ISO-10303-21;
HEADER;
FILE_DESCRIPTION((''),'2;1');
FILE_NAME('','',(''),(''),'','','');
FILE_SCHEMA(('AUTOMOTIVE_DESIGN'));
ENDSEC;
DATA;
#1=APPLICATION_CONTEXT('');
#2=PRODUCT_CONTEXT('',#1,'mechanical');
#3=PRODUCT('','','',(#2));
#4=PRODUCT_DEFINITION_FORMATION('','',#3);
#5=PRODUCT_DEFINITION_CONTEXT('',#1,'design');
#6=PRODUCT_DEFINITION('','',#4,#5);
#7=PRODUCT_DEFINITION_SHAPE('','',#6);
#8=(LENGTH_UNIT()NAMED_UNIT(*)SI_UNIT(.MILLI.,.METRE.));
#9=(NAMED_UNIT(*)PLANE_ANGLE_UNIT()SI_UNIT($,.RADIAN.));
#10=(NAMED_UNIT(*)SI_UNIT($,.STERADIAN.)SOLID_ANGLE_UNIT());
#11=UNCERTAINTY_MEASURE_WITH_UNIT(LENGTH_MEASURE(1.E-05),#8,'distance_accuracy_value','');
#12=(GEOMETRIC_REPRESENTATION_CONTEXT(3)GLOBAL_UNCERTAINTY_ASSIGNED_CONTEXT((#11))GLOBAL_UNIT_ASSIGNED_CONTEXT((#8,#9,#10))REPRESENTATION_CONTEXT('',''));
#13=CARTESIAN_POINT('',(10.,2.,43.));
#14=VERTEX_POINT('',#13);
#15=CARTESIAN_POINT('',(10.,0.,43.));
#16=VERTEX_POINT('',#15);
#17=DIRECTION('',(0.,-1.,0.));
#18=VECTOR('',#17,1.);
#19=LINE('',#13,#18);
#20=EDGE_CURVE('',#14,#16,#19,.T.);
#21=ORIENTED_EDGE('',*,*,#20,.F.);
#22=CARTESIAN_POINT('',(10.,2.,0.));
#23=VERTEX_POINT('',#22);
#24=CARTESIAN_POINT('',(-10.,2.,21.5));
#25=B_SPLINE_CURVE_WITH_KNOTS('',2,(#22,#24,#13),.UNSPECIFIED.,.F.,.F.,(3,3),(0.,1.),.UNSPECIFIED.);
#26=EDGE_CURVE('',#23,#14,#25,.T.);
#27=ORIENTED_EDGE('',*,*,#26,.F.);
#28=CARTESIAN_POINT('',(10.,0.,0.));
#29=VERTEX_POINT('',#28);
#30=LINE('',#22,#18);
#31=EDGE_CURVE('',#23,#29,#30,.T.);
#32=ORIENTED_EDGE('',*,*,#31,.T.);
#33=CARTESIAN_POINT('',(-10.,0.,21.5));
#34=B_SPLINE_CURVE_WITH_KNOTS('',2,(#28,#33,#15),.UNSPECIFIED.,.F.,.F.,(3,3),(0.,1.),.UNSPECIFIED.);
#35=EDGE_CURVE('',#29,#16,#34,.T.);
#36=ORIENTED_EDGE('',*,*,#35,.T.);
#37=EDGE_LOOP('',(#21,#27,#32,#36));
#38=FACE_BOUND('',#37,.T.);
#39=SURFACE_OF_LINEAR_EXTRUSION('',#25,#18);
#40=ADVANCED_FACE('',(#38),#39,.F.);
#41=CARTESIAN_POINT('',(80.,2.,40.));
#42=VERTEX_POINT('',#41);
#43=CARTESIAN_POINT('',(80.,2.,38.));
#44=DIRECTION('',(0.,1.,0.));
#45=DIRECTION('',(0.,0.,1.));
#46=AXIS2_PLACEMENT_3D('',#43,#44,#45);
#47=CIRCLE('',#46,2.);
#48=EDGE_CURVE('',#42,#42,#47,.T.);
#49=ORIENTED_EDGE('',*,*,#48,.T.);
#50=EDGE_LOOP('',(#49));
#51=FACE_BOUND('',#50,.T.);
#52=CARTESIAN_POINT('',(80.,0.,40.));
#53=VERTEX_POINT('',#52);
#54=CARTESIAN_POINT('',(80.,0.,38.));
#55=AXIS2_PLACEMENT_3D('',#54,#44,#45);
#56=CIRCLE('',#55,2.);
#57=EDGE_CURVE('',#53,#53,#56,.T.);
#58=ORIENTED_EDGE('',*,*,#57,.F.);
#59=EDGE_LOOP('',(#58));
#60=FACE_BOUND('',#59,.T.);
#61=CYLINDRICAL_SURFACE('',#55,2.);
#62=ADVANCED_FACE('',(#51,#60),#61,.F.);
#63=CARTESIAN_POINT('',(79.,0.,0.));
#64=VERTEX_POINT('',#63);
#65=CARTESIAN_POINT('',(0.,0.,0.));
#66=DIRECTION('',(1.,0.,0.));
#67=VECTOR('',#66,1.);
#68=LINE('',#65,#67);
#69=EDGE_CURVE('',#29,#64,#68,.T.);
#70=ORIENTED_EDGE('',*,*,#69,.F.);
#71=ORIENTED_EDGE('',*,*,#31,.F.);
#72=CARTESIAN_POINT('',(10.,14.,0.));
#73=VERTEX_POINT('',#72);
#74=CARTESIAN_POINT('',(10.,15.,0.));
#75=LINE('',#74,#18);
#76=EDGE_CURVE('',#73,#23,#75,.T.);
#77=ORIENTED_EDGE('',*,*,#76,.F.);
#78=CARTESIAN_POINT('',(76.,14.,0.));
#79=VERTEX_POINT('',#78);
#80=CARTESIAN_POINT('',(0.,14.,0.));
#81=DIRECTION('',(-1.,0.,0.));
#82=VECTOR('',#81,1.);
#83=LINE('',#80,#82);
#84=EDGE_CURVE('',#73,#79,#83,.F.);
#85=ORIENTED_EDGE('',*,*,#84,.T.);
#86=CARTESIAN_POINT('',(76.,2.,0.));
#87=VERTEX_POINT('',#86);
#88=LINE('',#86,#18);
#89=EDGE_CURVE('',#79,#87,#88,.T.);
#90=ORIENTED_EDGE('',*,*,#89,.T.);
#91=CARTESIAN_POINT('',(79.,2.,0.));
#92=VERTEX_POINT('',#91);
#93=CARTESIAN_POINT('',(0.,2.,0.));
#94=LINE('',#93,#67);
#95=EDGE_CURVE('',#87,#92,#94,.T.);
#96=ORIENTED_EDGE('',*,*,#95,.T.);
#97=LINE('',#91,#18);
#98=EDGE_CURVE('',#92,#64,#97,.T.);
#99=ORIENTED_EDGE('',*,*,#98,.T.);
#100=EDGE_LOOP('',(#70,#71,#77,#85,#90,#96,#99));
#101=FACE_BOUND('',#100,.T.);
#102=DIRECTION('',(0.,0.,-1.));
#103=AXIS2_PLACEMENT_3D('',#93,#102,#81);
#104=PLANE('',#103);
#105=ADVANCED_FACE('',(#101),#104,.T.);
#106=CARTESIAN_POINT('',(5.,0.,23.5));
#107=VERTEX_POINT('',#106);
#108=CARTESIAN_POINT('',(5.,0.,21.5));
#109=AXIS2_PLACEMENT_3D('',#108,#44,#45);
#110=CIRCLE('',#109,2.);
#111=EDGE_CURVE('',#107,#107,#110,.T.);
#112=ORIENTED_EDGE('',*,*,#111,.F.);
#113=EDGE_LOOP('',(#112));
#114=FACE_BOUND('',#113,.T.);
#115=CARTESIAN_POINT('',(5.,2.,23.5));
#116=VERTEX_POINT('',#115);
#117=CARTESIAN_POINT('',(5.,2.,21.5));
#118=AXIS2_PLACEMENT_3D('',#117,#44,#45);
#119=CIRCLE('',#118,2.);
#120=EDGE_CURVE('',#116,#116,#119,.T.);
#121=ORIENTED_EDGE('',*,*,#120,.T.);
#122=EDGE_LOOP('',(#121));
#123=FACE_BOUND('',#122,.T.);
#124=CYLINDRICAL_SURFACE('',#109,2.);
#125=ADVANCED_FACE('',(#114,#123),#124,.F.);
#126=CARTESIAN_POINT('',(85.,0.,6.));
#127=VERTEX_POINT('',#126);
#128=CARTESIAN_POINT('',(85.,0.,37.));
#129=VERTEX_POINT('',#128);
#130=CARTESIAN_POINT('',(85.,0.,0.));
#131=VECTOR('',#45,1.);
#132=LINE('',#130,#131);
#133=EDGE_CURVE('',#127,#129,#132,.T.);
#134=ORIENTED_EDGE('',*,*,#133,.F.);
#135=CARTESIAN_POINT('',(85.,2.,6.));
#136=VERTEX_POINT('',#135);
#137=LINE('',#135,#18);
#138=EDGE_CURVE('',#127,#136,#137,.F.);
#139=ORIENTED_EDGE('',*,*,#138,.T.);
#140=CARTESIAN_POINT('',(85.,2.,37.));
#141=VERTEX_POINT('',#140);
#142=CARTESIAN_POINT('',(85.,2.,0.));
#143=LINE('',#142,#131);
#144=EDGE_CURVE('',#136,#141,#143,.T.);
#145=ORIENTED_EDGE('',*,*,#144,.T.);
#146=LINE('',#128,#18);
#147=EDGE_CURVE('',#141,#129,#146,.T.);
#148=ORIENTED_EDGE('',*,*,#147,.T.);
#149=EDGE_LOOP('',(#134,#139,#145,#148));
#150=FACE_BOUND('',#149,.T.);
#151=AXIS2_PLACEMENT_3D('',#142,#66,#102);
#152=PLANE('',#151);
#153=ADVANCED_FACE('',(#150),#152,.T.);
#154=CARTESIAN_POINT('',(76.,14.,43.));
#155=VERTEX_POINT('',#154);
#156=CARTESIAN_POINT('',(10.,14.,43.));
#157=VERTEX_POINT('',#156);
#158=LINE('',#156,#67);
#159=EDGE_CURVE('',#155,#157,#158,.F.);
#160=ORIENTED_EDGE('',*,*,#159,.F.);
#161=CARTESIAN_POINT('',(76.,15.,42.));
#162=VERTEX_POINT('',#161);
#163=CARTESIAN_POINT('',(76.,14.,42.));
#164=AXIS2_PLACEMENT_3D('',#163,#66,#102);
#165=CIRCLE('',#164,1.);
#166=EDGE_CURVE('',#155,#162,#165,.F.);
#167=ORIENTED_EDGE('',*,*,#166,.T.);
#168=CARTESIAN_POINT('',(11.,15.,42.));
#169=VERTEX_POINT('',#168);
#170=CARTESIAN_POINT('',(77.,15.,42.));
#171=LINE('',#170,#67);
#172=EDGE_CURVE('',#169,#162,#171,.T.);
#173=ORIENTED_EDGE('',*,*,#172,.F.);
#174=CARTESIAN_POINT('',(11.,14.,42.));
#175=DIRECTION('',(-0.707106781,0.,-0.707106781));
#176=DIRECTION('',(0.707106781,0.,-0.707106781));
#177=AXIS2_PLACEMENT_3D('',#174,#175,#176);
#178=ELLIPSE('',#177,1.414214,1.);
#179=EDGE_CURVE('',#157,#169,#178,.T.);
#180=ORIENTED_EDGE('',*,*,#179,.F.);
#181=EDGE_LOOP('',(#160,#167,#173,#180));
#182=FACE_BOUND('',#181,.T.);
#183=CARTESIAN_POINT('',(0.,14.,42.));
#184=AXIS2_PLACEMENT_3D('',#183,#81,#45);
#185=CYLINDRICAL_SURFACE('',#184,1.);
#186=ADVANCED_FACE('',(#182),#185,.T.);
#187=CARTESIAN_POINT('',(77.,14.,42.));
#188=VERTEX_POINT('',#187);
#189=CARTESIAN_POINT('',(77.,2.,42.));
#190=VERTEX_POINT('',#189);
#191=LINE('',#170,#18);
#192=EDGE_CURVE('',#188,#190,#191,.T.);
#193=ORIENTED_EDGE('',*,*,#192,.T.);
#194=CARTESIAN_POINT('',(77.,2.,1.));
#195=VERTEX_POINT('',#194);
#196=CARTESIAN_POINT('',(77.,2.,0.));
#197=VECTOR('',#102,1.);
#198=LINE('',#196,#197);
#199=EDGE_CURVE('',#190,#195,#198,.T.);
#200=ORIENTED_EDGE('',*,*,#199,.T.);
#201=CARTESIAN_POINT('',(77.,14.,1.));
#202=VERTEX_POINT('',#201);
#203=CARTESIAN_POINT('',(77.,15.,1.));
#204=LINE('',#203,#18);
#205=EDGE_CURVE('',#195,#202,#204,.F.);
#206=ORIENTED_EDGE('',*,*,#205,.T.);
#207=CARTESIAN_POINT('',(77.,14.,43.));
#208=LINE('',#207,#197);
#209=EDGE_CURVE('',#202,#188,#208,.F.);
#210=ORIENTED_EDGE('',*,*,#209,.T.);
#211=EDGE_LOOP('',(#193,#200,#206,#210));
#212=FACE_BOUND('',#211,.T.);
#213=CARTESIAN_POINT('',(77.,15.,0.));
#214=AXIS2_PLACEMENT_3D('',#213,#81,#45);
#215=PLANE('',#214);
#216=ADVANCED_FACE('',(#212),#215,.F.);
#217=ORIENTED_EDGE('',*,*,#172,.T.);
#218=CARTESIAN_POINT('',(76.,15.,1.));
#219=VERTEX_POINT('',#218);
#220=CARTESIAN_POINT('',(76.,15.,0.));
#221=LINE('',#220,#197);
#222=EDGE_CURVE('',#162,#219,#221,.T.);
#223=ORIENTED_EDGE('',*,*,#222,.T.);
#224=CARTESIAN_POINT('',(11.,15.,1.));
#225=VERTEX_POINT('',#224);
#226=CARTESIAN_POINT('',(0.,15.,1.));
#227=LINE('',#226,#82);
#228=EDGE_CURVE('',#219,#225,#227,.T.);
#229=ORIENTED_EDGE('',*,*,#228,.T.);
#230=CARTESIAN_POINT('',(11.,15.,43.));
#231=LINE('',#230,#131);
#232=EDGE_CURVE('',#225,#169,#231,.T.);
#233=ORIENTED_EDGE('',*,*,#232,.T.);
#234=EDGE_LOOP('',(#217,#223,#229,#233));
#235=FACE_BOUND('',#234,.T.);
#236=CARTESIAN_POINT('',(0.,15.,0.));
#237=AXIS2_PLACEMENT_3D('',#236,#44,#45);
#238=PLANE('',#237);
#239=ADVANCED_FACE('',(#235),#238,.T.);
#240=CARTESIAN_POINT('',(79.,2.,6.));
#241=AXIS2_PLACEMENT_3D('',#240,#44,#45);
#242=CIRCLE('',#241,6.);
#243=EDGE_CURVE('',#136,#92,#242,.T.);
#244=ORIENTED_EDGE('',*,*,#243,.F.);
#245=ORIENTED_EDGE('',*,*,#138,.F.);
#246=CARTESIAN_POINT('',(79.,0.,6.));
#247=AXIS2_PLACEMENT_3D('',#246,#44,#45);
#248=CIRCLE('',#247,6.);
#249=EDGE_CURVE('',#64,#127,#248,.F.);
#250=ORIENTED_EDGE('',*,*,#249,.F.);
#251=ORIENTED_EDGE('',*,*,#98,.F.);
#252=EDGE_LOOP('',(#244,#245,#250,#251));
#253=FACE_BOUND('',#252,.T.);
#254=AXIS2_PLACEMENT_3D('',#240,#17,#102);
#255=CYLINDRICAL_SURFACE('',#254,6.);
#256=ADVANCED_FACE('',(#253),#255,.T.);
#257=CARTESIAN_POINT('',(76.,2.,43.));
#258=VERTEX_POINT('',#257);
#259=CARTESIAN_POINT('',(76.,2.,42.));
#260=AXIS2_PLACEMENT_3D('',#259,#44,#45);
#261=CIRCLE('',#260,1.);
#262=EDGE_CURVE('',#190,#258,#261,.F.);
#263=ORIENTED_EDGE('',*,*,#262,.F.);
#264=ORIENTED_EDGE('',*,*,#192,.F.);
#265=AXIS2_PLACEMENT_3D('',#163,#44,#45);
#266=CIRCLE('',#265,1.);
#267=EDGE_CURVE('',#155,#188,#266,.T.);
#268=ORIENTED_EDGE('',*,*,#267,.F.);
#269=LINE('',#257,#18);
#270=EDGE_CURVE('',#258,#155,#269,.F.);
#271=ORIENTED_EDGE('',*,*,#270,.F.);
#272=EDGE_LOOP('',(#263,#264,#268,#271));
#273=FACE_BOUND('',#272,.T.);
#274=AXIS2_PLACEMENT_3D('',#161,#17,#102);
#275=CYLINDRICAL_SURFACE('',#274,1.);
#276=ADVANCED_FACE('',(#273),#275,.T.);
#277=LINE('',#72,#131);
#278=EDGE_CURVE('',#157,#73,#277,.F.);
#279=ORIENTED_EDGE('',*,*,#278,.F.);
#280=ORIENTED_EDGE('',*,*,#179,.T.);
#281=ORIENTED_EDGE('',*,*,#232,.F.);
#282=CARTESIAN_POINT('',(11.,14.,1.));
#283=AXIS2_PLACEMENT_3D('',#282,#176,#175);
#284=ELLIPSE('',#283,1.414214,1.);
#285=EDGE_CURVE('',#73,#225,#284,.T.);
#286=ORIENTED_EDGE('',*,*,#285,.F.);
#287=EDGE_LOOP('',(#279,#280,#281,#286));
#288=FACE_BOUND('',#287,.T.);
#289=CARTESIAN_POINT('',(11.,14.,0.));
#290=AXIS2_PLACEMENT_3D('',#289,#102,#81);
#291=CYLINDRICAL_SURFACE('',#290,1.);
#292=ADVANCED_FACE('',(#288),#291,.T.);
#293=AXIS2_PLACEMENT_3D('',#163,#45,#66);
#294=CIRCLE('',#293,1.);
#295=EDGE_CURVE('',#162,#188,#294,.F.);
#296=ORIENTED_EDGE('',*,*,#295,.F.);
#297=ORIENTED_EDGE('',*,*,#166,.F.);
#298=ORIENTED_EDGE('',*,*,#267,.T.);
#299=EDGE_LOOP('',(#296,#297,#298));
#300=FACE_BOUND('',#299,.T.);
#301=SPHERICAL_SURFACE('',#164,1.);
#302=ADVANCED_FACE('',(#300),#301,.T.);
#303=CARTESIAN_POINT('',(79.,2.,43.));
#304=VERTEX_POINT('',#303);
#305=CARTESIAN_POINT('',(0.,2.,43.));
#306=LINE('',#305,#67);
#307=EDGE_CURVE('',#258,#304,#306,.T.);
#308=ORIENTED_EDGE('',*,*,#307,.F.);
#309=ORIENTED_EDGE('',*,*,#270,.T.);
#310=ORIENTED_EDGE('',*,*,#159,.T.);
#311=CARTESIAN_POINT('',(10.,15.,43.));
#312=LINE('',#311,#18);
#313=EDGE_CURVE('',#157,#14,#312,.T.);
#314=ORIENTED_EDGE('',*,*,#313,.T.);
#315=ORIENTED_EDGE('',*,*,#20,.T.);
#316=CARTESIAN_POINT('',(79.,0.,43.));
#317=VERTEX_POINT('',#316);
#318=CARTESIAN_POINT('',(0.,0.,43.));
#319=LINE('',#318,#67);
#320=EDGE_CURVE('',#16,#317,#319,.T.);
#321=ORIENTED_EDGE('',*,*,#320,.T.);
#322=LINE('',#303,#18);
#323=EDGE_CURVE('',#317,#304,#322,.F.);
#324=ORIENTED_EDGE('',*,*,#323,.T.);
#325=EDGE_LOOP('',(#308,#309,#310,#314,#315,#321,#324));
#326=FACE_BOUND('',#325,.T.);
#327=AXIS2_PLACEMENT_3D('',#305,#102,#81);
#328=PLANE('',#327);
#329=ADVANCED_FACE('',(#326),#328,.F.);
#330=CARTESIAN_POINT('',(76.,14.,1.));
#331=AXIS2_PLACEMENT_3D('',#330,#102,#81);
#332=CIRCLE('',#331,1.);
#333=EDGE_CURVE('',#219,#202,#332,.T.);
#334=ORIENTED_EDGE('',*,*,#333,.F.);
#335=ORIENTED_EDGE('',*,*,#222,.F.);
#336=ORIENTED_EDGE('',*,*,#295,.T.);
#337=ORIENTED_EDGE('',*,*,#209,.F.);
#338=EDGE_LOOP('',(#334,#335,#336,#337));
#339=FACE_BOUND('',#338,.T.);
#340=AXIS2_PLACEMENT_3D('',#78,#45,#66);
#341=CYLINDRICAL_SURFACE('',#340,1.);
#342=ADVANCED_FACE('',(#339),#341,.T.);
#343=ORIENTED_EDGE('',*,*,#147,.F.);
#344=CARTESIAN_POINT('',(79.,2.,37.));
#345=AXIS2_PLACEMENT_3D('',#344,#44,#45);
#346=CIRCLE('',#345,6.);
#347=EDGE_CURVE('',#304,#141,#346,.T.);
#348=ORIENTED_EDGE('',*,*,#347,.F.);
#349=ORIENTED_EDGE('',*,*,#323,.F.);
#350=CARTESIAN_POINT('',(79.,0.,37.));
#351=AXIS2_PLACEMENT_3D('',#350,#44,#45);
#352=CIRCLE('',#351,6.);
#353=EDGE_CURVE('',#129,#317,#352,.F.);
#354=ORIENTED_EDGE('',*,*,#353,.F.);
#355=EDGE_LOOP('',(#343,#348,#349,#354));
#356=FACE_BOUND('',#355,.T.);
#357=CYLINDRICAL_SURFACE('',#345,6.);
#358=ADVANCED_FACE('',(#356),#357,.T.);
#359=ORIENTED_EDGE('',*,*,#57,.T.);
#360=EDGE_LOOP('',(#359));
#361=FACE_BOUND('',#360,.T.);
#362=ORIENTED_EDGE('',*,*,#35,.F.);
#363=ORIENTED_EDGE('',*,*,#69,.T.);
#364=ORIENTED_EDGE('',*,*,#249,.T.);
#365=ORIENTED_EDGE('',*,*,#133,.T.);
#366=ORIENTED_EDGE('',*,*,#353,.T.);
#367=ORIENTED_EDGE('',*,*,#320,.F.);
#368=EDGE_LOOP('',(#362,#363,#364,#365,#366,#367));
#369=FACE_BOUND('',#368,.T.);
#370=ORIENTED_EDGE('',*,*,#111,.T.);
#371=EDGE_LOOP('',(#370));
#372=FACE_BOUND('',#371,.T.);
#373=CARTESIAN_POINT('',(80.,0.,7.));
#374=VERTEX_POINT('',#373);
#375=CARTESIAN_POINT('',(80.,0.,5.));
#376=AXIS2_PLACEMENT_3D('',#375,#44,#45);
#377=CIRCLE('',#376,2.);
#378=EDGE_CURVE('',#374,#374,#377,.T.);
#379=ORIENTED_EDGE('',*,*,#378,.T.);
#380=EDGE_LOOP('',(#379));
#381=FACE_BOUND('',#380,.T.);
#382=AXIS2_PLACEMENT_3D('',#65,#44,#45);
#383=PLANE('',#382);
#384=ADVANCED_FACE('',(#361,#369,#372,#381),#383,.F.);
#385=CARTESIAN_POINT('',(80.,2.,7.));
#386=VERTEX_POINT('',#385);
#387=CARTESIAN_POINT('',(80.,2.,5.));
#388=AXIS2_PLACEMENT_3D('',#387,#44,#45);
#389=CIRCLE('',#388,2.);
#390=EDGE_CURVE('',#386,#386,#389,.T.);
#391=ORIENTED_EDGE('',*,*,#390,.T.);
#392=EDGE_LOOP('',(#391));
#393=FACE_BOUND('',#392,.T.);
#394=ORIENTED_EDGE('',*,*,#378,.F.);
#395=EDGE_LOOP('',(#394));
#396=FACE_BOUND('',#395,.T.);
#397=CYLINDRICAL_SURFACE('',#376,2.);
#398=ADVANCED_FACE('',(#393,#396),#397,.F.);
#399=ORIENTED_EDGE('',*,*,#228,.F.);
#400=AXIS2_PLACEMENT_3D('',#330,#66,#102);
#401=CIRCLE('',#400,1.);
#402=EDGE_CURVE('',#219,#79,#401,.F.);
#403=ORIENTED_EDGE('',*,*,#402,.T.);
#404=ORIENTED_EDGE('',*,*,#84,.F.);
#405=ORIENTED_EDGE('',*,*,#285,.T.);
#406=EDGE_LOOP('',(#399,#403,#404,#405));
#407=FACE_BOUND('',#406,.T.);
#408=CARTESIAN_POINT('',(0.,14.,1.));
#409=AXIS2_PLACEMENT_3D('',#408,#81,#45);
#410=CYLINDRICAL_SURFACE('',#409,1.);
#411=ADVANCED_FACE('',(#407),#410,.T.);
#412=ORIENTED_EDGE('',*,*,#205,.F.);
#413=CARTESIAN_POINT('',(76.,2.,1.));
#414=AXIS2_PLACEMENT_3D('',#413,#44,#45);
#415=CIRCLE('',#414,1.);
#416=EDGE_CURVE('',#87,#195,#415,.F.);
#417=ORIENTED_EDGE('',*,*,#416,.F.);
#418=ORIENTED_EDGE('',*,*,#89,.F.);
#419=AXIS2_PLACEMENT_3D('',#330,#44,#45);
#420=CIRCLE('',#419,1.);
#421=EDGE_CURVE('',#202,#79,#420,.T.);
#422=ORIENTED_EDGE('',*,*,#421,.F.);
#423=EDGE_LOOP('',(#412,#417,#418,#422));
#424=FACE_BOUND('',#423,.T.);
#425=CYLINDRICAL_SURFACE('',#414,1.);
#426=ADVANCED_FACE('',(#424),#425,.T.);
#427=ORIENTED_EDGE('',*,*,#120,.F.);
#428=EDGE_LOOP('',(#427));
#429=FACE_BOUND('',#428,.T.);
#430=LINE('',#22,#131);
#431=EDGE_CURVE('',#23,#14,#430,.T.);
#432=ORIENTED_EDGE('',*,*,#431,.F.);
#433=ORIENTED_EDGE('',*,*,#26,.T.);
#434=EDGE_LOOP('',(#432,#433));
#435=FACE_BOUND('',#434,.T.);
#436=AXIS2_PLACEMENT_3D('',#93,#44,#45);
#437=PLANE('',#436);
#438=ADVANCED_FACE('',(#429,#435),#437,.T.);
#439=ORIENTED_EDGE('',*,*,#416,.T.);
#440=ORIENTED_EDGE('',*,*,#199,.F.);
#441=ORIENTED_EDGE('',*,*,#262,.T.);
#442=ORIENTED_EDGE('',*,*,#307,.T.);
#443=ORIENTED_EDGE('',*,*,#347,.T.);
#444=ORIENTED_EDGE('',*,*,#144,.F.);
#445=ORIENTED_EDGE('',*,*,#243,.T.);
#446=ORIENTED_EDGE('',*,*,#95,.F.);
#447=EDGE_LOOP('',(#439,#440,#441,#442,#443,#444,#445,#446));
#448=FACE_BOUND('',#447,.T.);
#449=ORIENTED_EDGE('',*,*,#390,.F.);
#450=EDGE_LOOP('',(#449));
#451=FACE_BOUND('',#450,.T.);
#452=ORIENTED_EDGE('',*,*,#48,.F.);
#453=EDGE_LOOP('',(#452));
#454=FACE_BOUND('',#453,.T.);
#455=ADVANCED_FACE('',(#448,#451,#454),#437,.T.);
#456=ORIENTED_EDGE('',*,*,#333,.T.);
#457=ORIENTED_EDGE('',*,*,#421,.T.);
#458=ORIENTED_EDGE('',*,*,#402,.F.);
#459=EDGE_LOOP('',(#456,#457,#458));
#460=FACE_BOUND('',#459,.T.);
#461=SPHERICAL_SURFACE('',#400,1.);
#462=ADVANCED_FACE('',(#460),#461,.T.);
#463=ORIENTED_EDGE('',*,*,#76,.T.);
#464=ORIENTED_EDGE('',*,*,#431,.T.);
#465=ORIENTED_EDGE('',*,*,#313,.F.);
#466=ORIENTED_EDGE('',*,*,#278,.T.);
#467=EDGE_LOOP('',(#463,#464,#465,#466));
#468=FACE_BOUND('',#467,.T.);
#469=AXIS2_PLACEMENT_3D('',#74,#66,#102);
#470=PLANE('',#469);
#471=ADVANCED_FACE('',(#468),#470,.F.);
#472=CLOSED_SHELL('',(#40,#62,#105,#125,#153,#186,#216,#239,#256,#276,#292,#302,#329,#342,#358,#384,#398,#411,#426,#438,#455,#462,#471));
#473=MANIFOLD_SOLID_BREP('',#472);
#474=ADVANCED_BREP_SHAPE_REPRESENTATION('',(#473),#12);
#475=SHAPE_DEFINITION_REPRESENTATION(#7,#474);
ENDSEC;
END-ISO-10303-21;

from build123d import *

# Parameters (mm, degrees)
BOSS_EXTRUDE1_DEPTH = 2
SKETCH2_W           = 67
SKETCH2_H           = 43
BOSS_EXTRUDE2_DEPTH = 13
SKETCH3_R           = 2
CUT_EXTRUDE1_DEPTH  = 3.0000001
FILLET1_R           = 6
FILLET2_R           = 1


with BuildPart() as part:
    # Sketch1 → Boss-Extrude1 (new body)
    with BuildSketch(Plane(origin=(0, 0, 0), x_dir=(1, 0, 0), z_dir=(0, 1, 0))):
        with BuildLine():
            Line((85, 0), (10, 0))
            add(Edge.make_bspline(
                [(10, 0), (7e-09, -10.749999992), (0, -21.499999985)],
                knots=[0, 0, 0, 0.5, 0.5, 0.5], degree=2))
            add(Edge.make_bspline(
                [(0, -21.499999985), (-7e-09, -32.249999992), (10, -43)],
                knots=[0.5, 0.5, 0.5, 1, 1, 1], degree=2))
            Line((10, -43), (85, -43))
            Line((85, -43), (85, 0))
        make_face()
    extrude(amount=BOSS_EXTRUDE1_DEPTH)

    # Sketch2 → Boss-Extrude2 (add)
    with BuildSketch(Plane(origin=(0, 2, 0), x_dir=(1, 0, 0), z_dir=(0, 1, 0))):
        with Locations((43.5, -21.5)):
            Rectangle(SKETCH2_W, SKETCH2_H)
    extrude(amount=BOSS_EXTRUDE2_DEPTH)

    # Sketch3 → Cut-Extrude1 (cut, through all)
    with BuildSketch(Plane(origin=(0, 2, 0), x_dir=(1, 0, 0), z_dir=(0, 1, 0))):
        with Locations((80, -5)):
            Circle(SKETCH3_R)
        with Locations((80, -38)):
            Circle(SKETCH3_R)
        with Locations((5, -21.500000001)):
            Circle(SKETCH3_R)
    extrude(amount=-CUT_EXTRUDE1_DEPTH, mode=Mode.SUBTRACT)

    # Fillet1
    fillet1_edges = [part.edges().sort_by_distance(p)[0] for p in [
        (85, 1, 0),
        (85, 1, 43),
    ]]
    fillet(fillet1_edges, radius=FILLET1_R)

    # Fillet2
    fillet2_edges = [part.edges().sort_by_distance(p)[0] for p in [
        (77, 8.5, 43),
        (77, 8.5, 0),
        (10, 15, 21.5),
        (43.5, 15, 43),
        (77, 15, 21.5),
        (43.5, 15, 0),
    ]]
    fillet(fillet2_edges, radius=FILLET2_R)


solid = part.part
